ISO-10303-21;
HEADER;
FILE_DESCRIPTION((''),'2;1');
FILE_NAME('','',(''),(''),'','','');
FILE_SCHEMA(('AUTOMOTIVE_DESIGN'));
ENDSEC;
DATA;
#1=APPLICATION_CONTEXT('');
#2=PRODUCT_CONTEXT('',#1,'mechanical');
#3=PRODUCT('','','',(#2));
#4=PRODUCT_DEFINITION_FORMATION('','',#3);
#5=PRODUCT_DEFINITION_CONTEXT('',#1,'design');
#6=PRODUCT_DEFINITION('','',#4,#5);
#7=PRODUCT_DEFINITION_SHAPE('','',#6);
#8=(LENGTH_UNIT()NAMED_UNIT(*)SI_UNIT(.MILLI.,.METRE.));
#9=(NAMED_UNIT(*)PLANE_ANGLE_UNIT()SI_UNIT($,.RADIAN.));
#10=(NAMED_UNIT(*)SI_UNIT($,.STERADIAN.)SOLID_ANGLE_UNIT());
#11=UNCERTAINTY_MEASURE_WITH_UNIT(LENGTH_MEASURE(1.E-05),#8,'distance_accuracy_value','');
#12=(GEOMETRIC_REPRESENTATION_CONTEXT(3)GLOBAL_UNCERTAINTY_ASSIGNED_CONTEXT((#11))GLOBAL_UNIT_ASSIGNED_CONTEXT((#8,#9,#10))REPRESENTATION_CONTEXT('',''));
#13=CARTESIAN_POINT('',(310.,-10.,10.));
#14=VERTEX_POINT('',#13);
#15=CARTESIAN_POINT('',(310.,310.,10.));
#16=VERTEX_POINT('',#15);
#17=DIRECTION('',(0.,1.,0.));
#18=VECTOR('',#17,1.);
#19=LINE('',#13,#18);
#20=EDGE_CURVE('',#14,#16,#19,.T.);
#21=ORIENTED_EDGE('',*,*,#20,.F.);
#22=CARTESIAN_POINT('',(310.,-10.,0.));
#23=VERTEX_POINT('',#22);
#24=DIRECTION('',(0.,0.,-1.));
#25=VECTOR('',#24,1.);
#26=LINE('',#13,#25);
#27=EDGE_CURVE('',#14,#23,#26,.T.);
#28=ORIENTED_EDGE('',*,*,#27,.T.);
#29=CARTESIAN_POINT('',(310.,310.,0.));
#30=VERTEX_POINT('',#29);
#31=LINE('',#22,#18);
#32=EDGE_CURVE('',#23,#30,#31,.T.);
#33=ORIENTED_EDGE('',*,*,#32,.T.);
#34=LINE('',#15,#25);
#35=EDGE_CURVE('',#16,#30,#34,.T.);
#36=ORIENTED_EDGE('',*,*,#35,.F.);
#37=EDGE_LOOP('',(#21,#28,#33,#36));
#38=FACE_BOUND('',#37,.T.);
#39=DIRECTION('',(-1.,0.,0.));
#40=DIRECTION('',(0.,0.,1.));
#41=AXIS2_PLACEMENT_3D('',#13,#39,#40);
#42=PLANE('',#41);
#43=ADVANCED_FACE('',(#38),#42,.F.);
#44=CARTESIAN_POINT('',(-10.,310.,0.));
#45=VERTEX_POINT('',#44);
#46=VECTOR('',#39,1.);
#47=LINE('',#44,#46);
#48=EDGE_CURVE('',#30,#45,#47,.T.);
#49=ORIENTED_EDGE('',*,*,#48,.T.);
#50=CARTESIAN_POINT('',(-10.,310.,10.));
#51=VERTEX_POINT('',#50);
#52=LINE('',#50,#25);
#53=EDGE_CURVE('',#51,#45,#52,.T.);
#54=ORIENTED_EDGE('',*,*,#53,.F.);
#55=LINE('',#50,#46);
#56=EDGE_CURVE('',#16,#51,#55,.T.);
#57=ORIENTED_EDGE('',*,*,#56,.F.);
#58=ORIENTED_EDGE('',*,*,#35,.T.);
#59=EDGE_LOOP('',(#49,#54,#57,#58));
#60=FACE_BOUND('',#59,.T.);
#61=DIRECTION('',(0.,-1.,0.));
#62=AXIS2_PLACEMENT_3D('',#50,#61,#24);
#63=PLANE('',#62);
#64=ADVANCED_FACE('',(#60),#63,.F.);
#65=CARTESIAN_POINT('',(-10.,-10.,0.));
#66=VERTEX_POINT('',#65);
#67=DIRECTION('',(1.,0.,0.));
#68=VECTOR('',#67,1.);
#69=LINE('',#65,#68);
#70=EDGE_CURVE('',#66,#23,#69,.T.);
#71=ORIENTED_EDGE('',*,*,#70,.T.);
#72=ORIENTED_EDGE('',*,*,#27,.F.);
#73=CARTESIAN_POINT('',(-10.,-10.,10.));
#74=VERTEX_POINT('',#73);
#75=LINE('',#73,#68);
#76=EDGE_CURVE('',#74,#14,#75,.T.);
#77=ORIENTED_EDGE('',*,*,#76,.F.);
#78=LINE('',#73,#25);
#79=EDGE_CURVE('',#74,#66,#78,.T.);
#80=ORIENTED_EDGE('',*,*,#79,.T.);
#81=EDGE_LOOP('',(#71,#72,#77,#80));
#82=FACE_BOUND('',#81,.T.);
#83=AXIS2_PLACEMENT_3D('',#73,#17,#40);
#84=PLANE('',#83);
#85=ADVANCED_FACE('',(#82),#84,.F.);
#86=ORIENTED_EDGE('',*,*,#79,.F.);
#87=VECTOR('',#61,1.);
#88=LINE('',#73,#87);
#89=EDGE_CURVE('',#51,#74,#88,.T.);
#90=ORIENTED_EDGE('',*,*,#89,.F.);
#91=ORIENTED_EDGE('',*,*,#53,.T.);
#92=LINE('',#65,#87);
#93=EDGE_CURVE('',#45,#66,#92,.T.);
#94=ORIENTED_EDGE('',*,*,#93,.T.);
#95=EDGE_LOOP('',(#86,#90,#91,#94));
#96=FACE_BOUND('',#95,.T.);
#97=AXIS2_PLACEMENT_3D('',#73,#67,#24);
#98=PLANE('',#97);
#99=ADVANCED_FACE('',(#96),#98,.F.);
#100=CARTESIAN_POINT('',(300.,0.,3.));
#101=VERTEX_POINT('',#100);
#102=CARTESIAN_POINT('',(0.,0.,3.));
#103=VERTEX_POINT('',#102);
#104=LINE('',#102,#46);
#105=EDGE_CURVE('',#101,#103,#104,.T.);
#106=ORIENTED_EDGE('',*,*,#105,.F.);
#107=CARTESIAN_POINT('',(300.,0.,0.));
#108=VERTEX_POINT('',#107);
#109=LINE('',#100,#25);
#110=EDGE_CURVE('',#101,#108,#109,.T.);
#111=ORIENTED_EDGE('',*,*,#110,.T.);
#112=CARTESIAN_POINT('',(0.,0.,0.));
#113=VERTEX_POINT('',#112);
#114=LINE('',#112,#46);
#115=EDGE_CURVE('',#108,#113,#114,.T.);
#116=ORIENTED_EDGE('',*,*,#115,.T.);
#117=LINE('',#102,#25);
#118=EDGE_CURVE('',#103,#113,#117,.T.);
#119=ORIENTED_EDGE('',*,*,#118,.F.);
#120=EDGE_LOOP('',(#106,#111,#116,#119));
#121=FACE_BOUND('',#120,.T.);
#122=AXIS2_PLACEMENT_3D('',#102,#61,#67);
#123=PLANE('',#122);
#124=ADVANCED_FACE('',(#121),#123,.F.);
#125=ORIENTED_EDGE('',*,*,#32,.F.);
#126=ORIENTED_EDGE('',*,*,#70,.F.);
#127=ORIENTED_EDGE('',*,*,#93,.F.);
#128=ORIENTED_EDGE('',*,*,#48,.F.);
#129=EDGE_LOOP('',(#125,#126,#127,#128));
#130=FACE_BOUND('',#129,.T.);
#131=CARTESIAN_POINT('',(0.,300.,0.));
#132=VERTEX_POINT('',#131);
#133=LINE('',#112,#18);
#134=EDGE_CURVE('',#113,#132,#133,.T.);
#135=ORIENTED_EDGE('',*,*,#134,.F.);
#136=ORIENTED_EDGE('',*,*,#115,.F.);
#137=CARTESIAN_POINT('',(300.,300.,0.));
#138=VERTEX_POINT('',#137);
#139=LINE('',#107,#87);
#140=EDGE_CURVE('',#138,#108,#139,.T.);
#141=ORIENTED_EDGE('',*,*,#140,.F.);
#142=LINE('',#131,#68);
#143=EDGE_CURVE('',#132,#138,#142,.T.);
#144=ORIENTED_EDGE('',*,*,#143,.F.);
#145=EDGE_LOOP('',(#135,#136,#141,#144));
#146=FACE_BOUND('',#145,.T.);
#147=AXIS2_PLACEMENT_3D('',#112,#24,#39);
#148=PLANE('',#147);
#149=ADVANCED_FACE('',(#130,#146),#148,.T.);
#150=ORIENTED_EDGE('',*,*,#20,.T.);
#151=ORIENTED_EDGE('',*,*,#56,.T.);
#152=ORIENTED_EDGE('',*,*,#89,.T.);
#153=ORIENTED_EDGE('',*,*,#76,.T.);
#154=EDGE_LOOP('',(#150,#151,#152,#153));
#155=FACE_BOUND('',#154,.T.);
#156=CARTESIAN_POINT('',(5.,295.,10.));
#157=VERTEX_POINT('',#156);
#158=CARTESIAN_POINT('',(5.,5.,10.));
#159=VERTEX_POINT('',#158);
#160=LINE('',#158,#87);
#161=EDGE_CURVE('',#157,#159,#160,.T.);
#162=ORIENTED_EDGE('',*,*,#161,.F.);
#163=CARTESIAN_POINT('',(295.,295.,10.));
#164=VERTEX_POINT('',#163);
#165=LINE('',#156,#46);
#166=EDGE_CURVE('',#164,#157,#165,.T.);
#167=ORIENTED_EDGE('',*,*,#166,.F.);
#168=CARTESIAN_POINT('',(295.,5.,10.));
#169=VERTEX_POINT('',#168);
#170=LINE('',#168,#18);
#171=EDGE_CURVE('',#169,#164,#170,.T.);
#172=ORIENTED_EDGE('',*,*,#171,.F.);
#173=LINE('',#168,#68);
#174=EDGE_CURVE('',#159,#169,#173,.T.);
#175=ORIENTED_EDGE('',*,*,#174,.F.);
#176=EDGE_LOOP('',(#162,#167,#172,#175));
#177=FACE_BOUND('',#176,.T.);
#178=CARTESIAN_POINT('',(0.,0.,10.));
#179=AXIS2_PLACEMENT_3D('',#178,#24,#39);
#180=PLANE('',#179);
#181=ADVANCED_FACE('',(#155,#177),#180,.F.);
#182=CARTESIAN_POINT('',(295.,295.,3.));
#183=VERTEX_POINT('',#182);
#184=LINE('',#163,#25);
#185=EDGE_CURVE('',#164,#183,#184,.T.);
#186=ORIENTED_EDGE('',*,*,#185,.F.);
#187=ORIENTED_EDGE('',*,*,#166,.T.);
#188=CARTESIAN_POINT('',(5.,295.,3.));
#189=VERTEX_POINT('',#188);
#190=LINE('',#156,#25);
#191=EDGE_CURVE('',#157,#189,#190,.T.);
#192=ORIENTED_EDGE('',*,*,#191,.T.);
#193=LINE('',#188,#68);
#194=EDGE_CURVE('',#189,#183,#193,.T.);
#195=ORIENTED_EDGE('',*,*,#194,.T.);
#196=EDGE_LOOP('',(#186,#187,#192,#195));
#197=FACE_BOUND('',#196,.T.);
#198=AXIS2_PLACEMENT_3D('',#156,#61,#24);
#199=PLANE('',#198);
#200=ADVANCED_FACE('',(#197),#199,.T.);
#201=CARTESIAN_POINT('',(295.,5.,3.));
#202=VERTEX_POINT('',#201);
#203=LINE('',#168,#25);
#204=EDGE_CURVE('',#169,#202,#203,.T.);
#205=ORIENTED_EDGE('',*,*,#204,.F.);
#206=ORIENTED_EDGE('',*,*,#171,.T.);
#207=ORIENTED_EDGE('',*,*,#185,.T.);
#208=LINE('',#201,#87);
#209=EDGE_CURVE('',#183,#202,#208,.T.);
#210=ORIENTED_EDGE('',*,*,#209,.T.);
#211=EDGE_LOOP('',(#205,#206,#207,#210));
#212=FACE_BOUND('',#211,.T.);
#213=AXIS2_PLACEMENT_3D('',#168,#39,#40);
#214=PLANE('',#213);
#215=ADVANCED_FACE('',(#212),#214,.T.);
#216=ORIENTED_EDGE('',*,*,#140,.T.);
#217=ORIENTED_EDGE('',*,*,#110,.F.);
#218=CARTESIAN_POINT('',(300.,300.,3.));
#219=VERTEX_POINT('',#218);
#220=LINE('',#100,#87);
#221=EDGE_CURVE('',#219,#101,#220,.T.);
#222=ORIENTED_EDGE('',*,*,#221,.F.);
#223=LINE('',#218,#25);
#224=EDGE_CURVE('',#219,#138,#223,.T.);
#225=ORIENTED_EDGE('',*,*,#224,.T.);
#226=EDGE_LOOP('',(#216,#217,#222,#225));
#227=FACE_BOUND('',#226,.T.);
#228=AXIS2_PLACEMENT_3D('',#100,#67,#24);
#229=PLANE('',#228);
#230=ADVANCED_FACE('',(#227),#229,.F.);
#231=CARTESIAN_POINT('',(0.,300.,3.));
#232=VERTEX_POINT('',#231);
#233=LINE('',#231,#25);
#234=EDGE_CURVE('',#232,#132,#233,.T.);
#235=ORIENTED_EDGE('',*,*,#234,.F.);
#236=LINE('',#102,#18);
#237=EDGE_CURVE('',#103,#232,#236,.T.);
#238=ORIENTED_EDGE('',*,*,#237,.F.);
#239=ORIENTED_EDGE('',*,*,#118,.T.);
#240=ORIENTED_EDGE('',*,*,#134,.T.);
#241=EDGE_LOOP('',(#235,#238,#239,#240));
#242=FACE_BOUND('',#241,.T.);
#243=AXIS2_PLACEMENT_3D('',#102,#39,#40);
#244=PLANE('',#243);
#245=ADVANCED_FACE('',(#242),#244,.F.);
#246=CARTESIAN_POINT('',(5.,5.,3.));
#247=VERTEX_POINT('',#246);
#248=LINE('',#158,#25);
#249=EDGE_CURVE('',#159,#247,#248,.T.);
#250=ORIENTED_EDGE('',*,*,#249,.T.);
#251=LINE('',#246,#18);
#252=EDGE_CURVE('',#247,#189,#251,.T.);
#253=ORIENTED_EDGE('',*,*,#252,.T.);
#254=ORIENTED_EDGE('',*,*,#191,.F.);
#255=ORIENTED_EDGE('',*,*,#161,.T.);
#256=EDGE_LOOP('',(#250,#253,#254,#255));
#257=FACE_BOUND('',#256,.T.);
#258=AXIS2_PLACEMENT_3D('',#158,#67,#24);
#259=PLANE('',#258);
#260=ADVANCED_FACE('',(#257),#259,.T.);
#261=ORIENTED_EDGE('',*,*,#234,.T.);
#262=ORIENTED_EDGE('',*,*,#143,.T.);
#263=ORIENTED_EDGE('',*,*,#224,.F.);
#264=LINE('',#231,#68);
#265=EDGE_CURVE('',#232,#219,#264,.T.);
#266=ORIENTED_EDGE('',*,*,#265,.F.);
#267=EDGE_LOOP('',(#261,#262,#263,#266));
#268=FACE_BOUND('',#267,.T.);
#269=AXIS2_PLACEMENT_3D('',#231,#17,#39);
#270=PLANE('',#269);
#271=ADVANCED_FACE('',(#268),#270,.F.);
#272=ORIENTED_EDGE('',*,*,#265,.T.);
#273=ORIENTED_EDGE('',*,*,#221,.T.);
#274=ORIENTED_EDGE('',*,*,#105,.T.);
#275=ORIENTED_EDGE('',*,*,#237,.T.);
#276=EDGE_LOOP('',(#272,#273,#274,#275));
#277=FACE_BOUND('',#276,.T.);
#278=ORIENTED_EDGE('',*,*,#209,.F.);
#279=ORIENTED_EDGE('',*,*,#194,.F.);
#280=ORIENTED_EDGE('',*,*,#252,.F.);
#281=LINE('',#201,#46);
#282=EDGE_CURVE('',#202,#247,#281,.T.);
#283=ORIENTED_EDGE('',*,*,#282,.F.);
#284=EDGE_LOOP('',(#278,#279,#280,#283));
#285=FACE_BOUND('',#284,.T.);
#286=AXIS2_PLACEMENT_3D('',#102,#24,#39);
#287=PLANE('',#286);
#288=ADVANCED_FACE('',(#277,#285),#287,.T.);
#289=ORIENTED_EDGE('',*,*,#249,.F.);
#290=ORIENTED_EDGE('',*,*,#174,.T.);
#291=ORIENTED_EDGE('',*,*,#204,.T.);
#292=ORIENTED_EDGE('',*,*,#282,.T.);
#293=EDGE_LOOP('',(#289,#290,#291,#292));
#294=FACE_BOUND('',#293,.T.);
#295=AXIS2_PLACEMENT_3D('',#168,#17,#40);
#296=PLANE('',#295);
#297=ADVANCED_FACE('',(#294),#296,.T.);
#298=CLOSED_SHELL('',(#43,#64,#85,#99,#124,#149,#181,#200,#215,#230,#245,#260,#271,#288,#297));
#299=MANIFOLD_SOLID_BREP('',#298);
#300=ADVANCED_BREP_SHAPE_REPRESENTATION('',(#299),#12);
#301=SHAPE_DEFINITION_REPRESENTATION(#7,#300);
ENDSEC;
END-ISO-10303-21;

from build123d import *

# Parameters (mm, degrees)
CROQUIS1_W              = 320
CROQUIS1_H              = 320
CROQUIS1_W_2            = 290
CROQUIS1_H_2            = 290
SALIENTE_EXTRUIR1_DEPTH = 10
CROQUIS2_W              = 300
CROQUIS2_H              = 300
CORTAR_EXTRUIR1_DEPTH   = 3


with BuildPart() as part:
    # Croquis1 → Saliente-Extruir1 (new body)
    with BuildSketch(Plane.XY):
        with Locations((150, 150)):
            Rectangle(CROQUIS1_W, CROQUIS1_H)
        with Locations((150, 150)):
            Rectangle(CROQUIS1_W_2, CROQUIS1_H_2, mode=Mode.SUBTRACT)
    extrude(amount=SALIENTE_EXTRUIR1_DEPTH)

    # Croquis2 → Cortar-Extruir1 (cut)
    with BuildSketch(Plane(origin=(0, 0, 0), x_dir=(-1, 0, 0), z_dir=(0, 0, -1))):
        with Locations((-150, 150)):
            Rectangle(CROQUIS2_W, CROQUIS2_H)
    extrude(amount=-CORTAR_EXTRUIR1_DEPTH, mode=Mode.SUBTRACT)


solid = part.part
